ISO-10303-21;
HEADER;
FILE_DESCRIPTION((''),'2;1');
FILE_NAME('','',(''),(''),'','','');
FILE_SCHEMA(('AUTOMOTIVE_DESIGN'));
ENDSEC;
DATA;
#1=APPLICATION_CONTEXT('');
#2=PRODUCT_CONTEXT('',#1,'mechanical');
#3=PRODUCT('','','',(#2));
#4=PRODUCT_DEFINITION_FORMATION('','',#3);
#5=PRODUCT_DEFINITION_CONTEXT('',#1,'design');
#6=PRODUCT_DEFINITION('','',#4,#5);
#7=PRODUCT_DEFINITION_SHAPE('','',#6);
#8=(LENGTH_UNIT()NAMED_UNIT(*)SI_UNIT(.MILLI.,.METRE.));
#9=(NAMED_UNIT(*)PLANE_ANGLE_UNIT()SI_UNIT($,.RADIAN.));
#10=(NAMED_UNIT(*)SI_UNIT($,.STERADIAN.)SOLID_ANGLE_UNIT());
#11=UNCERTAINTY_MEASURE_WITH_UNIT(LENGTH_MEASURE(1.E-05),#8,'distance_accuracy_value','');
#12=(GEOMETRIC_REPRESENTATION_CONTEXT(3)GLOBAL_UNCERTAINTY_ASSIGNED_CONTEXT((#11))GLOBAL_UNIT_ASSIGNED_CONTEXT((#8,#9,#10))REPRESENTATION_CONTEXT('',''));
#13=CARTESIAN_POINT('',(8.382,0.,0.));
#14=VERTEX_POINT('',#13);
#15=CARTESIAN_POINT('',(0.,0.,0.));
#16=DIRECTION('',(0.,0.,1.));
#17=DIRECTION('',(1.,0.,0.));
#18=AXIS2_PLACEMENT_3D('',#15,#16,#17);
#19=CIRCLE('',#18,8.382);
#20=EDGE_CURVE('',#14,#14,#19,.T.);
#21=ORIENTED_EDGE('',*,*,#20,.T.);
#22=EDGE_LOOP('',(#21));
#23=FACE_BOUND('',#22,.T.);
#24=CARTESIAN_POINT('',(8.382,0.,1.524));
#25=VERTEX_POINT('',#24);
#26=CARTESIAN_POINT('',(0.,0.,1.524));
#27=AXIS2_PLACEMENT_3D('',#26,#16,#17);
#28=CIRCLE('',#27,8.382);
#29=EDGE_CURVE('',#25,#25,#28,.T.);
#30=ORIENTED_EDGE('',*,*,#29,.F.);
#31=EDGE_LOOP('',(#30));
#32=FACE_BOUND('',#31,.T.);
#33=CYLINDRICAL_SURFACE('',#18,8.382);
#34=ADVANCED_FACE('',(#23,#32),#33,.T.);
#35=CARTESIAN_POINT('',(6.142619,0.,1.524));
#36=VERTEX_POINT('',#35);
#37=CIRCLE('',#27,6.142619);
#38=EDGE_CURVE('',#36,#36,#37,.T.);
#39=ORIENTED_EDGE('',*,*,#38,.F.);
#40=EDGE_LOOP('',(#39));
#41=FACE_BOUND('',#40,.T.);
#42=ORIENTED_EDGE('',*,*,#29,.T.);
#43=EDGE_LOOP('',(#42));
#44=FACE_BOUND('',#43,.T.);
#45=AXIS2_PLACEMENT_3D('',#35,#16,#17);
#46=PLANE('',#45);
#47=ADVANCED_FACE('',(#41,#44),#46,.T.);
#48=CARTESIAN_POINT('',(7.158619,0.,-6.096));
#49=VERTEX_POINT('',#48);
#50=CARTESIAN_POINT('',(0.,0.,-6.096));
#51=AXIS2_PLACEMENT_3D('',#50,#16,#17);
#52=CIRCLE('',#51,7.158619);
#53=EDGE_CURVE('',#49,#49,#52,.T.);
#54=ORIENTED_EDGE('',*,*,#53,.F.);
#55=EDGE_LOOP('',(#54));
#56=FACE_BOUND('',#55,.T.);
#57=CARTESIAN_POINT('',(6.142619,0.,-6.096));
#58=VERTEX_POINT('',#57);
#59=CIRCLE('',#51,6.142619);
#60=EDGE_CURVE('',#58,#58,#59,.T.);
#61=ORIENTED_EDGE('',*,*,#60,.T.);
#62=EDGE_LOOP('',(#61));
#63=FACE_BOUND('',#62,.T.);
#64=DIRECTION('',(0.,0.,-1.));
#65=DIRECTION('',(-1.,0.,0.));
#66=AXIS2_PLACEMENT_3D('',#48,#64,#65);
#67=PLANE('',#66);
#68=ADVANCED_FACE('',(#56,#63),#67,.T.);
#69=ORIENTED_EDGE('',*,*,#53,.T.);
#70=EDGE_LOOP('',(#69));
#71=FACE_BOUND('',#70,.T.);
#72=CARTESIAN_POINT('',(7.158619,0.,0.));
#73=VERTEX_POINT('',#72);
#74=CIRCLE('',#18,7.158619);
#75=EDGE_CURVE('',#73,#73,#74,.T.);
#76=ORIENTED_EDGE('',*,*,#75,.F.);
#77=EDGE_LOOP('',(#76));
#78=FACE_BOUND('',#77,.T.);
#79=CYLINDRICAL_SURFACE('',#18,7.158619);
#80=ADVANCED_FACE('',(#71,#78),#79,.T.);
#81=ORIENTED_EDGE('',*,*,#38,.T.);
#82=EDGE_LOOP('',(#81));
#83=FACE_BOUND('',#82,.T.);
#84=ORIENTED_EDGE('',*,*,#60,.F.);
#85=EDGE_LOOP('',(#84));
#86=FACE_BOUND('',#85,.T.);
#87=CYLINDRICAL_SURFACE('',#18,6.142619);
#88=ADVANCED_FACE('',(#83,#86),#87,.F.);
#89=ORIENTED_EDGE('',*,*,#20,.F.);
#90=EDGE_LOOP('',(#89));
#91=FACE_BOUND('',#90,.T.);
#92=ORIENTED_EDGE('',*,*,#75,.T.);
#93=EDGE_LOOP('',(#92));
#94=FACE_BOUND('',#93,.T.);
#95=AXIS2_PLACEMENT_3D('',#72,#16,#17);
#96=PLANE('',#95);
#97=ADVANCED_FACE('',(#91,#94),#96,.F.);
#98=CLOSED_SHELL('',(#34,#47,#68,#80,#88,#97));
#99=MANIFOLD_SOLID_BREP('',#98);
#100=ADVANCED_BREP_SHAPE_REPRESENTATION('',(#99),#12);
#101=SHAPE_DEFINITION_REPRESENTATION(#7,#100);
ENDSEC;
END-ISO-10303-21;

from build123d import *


with BuildPart() as part:
    # Sketch5 → Base-Revolve (revolve)
    with BuildSketch(Plane(origin=(0, 0, 0), x_dir=(-1, 0, 0), z_dir=(0, 1, 0))):
        Polygon((-7.158618567, -6.096), (-6.142618567, -6.096), (-6.142618567, 1.524), (-8.382, 1.524), (-8.382, 0), (-7.158618567, 0), align=None)
    revolve(axis=Axis((0, 0, 0), (0, 0, -1)))


solid = part.part
